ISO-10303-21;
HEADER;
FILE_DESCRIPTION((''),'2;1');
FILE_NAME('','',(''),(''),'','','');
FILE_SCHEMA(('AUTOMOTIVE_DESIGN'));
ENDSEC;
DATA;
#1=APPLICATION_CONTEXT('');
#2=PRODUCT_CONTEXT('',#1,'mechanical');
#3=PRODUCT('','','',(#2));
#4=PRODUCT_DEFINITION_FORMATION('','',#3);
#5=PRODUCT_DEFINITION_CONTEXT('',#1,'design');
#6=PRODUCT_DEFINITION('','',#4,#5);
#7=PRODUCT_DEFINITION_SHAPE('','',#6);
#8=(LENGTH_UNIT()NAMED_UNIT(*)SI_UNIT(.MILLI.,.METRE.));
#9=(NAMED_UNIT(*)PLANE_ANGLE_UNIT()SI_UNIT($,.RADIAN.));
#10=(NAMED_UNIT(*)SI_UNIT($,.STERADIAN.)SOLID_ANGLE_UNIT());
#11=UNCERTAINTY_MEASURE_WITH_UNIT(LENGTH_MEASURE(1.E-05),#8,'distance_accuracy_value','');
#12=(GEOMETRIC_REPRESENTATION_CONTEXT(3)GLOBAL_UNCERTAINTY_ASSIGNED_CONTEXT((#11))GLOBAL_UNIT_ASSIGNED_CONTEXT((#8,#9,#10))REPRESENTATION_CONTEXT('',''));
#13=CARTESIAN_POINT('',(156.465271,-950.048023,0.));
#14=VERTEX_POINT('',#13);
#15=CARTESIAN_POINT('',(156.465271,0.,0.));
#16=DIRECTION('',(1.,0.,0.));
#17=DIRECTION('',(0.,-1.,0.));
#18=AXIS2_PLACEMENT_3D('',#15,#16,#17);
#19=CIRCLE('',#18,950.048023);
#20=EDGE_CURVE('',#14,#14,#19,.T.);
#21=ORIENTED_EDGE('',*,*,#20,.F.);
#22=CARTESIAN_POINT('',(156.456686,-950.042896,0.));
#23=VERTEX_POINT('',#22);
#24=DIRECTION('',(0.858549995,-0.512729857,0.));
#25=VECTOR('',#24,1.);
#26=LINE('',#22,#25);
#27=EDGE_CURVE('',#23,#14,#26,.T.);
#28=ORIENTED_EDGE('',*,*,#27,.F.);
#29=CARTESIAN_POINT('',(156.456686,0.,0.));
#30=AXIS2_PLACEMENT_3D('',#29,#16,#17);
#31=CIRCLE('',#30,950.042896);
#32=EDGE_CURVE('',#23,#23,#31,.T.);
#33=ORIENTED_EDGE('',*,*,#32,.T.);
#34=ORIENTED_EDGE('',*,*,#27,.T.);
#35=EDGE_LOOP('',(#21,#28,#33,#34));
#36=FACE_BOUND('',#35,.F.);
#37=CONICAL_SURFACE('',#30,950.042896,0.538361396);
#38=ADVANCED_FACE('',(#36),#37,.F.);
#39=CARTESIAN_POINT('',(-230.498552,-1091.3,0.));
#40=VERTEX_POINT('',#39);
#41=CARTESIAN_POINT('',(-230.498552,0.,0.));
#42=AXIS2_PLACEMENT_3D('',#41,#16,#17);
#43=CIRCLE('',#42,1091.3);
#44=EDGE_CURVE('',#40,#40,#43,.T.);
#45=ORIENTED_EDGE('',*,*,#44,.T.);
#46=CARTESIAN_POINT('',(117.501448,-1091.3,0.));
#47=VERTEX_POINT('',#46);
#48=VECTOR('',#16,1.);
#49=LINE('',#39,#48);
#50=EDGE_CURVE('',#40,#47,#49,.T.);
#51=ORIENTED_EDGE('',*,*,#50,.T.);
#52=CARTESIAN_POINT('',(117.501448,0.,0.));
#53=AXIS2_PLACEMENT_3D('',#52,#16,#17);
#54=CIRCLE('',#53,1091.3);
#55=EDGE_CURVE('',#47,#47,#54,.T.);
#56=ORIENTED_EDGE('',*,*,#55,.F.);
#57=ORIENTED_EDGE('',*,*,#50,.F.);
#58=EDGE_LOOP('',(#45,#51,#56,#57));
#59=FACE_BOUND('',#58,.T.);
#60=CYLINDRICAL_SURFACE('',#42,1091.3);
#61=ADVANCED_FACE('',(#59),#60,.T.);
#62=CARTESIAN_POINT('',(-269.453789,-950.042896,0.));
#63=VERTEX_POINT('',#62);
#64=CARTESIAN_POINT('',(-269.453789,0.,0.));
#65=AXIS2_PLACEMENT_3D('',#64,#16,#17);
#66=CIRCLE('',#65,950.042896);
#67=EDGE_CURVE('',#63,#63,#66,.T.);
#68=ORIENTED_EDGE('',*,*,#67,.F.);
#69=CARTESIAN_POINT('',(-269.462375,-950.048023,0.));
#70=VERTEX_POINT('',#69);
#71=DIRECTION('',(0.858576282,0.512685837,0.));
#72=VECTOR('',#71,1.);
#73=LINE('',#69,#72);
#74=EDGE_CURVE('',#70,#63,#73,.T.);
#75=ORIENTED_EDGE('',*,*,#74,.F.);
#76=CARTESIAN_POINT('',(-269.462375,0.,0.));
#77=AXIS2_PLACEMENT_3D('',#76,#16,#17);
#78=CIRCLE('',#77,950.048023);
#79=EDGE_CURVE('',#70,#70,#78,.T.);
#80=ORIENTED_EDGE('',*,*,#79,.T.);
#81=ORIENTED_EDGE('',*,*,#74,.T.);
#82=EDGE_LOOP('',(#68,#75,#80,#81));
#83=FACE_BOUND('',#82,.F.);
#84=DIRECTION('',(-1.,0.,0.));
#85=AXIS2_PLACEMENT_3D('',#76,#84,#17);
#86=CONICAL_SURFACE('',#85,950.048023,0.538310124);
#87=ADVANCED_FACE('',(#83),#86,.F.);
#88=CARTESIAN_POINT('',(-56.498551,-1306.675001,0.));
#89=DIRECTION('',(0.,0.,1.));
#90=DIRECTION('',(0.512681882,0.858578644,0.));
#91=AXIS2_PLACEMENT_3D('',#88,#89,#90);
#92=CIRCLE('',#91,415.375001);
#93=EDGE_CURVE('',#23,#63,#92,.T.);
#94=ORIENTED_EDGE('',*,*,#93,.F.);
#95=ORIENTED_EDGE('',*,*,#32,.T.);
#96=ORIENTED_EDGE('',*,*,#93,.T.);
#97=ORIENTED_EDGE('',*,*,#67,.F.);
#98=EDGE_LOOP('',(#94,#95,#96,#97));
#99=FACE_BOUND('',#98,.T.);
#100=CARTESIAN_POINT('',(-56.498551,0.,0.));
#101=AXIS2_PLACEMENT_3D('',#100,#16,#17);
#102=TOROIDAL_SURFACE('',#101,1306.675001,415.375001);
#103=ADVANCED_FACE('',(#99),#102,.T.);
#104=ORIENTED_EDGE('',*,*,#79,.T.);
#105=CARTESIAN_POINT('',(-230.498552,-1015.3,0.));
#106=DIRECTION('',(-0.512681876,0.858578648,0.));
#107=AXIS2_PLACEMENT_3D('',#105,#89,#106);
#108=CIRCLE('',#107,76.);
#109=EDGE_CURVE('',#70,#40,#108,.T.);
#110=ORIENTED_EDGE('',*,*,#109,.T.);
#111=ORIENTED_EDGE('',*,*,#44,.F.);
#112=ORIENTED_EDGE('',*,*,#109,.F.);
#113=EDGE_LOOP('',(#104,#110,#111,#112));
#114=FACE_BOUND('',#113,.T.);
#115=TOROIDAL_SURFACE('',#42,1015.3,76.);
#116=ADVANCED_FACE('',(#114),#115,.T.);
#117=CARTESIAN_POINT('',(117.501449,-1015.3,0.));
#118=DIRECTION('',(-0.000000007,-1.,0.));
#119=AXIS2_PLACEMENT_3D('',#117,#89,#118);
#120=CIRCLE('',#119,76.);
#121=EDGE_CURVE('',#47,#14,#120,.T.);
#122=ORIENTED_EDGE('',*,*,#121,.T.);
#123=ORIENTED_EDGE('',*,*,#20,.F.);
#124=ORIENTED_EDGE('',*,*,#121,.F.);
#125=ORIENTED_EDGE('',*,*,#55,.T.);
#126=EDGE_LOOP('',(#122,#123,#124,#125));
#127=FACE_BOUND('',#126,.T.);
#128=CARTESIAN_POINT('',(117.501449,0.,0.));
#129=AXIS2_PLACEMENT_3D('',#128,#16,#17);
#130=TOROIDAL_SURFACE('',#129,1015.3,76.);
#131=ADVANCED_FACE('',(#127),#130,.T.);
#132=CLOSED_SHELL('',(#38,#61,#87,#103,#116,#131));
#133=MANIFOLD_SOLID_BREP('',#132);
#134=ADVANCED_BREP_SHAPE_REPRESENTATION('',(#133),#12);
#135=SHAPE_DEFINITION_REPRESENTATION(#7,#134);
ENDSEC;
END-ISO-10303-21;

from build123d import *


with BuildPart() as part:
    # Sketch → Revolution (revolve)
    with BuildSketch(Plane.XY):
        with BuildLine():
            Line((-230.498552, -1091.3), (117.501448, -1091.3))
            ThreePointArc((117.501448, -1091.3), (190.765185, -1035.509525), (156.465271, -950.048023))
            Line((156.456686, -950.042896), (156.465271, -950.048023))
            ThreePointArc((156.456686, -950.042896), (-56.498552, -891.3), (-269.453789, -950.042896))
            Line((-269.462375, -950.048023), (-269.453789, -950.042896))
            ThreePointArc((-269.462375, -950.048023), (-303.762289, -1035.509525), (-230.498552, -1091.3))
        make_face()
    revolve(axis=Axis((0, 0, 0), (1, 0, 0)))


solid = part.part
